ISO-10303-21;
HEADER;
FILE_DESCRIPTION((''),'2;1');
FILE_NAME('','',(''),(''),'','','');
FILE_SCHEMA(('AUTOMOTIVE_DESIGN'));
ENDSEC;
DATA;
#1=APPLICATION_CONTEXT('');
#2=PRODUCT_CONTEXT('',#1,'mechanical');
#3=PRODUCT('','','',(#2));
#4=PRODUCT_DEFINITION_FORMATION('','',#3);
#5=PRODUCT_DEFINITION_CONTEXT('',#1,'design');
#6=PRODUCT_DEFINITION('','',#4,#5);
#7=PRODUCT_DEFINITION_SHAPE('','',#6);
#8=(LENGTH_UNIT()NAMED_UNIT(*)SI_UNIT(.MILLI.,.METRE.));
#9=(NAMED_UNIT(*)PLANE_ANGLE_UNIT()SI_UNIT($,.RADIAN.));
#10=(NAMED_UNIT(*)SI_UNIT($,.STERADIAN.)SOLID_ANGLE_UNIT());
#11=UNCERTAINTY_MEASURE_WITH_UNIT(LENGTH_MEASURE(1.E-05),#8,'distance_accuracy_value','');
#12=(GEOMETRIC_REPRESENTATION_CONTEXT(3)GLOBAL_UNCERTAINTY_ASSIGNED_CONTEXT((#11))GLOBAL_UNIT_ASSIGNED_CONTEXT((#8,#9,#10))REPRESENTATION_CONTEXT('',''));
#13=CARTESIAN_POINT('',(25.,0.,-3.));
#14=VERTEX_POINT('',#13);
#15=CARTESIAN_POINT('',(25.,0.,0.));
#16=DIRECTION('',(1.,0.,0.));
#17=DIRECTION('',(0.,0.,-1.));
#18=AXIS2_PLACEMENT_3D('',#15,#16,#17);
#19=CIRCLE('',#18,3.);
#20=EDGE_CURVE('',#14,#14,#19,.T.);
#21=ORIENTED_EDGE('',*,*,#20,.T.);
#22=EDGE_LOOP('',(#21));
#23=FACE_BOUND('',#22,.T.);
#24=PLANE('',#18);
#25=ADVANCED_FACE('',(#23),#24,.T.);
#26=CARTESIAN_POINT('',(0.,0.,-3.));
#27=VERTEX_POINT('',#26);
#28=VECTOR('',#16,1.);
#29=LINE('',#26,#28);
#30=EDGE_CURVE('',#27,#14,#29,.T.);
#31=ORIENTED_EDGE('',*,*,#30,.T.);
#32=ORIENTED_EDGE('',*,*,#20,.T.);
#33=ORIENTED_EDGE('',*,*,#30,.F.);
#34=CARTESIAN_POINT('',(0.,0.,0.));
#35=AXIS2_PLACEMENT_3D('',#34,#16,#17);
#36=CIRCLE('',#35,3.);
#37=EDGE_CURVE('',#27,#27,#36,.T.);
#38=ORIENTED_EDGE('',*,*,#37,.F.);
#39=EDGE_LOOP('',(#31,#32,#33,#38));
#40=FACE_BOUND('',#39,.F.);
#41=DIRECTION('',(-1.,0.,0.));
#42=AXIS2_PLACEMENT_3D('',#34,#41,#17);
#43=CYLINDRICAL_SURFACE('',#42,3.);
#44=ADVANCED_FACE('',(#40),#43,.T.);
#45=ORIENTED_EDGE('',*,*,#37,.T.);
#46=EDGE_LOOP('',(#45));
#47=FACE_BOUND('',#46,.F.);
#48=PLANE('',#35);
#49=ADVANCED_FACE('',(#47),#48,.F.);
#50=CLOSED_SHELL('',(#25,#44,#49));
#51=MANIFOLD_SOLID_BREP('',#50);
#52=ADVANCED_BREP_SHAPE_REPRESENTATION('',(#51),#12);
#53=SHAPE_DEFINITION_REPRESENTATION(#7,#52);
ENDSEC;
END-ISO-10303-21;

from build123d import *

# Parameters (mm, degrees)
SKETCH1_R           = 3
BOSS_EXTRUDE1_DEPTH = 25


with BuildPart() as part:
    # Sketch1 → Boss-Extrude1 (new body)
    with BuildSketch(Plane(origin=(0, 0, 0), x_dir=(0, 0, -1), z_dir=(1, 0, 0))):
        Circle(SKETCH1_R)
    extrude(amount=BOSS_EXTRUDE1_DEPTH)


solid = part.part
